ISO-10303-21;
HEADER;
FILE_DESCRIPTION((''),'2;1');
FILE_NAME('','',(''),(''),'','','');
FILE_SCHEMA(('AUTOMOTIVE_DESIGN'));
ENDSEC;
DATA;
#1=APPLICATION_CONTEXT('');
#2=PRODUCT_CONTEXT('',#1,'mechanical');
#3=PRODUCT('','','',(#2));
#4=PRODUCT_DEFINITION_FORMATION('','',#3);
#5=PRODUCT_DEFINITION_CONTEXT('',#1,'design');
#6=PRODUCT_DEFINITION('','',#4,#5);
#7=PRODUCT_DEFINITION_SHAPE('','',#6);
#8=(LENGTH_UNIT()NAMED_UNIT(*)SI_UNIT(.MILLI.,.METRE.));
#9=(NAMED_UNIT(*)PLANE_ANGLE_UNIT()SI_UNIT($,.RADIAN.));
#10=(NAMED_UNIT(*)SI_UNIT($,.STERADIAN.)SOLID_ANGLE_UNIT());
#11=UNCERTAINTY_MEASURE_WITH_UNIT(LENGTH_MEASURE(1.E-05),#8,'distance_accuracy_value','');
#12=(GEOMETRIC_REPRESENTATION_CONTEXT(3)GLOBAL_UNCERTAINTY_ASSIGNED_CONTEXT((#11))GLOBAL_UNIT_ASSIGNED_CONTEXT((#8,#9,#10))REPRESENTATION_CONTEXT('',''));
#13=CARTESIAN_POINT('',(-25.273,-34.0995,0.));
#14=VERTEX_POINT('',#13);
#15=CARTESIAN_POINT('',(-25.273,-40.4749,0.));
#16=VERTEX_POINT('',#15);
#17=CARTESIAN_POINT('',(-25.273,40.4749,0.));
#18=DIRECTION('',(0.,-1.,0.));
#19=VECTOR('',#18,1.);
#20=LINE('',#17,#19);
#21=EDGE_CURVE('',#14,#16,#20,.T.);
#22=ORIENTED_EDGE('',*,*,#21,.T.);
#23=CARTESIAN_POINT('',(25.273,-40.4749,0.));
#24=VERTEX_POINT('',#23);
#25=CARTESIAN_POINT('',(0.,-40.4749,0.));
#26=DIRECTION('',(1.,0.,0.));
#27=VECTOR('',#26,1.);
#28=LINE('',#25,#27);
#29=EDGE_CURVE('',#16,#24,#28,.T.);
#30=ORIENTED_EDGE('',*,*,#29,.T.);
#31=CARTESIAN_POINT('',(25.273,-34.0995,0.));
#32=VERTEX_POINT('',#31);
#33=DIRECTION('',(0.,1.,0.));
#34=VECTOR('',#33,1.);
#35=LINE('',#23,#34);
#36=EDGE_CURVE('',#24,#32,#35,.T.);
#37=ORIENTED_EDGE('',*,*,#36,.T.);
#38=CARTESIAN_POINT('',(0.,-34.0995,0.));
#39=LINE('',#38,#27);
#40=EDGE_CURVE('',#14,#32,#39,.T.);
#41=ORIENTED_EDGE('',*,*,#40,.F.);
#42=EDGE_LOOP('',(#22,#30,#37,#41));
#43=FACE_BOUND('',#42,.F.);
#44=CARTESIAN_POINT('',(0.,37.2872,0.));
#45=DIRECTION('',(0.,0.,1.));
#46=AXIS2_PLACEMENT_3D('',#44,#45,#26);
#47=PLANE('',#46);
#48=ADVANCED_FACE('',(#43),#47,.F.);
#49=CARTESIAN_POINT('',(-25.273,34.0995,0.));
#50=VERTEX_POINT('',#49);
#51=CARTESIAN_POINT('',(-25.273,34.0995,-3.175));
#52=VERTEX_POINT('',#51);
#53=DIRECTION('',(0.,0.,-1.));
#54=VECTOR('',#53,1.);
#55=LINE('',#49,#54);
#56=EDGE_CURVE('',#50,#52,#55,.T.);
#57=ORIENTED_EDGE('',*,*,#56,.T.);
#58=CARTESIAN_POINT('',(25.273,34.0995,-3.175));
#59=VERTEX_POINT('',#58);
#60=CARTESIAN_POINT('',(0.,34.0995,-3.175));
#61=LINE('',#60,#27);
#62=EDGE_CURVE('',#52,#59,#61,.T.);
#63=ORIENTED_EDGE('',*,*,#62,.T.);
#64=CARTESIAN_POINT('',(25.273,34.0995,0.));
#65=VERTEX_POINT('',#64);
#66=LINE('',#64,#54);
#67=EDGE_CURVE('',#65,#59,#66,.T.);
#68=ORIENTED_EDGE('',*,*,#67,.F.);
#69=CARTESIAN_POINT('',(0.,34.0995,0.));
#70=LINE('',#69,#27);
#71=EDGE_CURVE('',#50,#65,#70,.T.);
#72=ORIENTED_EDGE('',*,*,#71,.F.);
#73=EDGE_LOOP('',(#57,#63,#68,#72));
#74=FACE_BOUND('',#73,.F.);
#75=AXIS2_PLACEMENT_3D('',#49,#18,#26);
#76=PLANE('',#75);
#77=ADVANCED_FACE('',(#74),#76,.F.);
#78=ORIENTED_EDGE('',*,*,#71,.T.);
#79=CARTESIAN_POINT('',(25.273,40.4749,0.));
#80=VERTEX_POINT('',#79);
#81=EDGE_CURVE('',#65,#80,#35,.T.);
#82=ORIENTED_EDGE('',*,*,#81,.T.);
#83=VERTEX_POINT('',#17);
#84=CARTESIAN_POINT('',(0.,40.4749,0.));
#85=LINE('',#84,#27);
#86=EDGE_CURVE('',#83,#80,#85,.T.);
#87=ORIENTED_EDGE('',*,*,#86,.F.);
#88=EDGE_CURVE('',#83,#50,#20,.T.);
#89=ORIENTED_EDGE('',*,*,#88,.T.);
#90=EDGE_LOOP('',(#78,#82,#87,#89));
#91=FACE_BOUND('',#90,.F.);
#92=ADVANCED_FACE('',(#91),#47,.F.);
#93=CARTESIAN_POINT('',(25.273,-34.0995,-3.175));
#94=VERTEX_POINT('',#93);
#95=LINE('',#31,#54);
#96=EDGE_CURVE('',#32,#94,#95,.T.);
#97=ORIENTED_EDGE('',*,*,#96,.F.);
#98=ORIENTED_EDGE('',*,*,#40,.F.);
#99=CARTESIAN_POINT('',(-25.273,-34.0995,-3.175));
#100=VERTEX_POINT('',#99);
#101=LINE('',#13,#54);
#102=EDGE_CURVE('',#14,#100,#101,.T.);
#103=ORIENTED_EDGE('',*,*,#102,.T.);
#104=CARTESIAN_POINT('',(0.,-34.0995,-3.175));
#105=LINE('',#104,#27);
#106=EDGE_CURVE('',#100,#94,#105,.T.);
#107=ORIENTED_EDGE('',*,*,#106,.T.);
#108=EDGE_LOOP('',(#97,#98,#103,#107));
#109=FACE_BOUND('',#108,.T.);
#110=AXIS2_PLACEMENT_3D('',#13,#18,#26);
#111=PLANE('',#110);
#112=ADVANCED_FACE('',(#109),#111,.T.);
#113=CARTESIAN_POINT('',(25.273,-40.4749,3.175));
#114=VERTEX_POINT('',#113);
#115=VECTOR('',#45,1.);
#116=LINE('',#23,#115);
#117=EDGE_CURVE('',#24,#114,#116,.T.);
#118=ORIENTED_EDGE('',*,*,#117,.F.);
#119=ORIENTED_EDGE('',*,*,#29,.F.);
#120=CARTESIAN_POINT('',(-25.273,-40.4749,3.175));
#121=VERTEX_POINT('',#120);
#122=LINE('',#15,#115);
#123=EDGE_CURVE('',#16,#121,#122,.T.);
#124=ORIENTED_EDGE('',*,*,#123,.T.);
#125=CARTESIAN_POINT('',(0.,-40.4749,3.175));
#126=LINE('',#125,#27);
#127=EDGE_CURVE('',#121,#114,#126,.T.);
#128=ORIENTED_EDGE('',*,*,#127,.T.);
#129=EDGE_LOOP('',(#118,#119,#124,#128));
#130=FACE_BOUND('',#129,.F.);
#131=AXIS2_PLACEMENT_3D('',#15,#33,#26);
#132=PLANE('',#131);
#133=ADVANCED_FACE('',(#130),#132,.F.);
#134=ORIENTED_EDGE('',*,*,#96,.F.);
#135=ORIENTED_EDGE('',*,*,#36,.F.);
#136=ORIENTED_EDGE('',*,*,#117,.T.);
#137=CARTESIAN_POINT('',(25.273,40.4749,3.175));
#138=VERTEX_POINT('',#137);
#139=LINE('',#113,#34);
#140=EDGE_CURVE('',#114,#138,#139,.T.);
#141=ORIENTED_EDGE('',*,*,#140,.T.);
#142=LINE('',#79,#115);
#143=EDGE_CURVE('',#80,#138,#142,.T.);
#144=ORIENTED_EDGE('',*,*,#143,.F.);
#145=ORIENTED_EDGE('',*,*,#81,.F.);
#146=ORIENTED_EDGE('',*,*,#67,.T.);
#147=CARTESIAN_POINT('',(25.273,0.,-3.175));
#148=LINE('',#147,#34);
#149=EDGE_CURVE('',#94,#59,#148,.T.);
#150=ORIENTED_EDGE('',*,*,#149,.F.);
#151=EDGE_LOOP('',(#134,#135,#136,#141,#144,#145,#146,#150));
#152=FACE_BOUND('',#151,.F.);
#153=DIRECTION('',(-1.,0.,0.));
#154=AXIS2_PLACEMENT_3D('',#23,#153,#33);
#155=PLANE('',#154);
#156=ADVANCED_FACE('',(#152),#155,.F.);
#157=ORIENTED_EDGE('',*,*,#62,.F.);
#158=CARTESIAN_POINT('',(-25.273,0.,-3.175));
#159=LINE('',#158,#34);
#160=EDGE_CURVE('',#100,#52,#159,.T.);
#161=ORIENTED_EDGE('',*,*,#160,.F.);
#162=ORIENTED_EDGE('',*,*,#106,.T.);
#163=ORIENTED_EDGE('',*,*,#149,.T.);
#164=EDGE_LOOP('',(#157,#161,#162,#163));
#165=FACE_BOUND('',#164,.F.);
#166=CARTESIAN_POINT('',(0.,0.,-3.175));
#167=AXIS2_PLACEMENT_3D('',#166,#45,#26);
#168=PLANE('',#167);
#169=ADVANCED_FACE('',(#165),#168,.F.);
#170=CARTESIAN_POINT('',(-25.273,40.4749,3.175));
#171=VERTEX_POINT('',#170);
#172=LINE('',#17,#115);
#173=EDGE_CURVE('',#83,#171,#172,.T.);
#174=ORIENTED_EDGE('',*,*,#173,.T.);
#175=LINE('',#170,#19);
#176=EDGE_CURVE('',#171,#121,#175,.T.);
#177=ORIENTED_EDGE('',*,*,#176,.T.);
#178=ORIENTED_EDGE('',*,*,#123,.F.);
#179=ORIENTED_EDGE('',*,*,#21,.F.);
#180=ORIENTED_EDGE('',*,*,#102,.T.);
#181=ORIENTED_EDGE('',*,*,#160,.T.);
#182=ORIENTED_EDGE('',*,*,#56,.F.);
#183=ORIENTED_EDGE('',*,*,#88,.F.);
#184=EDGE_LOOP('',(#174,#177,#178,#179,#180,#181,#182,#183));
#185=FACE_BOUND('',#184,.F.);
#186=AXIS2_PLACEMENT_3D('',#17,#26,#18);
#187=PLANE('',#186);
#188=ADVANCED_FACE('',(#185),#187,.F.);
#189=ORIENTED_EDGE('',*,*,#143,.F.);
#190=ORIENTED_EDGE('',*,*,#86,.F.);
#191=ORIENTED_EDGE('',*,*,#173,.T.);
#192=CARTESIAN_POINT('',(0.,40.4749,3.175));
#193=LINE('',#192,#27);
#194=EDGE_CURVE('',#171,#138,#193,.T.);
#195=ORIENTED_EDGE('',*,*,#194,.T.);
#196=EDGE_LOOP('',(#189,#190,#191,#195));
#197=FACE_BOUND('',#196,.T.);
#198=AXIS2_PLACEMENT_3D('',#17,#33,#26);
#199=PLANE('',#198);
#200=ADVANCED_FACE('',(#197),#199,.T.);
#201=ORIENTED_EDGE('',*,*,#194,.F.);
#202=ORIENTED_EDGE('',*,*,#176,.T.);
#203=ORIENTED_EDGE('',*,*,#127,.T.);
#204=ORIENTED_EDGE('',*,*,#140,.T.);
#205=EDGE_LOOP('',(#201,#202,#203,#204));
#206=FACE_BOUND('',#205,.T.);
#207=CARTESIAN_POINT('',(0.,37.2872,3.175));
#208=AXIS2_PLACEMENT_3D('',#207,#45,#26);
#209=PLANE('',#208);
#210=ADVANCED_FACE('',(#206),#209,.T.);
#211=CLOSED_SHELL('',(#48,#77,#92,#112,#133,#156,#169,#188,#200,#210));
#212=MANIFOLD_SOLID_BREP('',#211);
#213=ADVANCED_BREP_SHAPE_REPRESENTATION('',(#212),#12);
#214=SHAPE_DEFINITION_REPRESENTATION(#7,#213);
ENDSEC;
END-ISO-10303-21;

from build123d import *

# Parameters (mm, degrees)
F0_W     = 50.546
F0_H     = 6.3754
F0_H_2   = 68.199
F1_DEPTH = 3.175
F2_DEPTH = 3.175


with BuildPart() as f1:
    # F0 (on Top) → F1 (new body)
    with BuildSketch(Plane.XY):
        with Locations((0, 37.2872)):
            Rectangle(F0_W, F0_H)
        Rectangle(F0_W, F0_H_2)
        with Locations((0, -37.2872)):
            Rectangle(F0_W, F0_H)
    extrude(amount=F1_DEPTH)

    # F0 (on Top) → F2 (join)
    with BuildSketch(Plane.XY):
        Rectangle(F0_W, F0_H_2)
    extrude(amount=-F2_DEPTH)


solid = f1.part
